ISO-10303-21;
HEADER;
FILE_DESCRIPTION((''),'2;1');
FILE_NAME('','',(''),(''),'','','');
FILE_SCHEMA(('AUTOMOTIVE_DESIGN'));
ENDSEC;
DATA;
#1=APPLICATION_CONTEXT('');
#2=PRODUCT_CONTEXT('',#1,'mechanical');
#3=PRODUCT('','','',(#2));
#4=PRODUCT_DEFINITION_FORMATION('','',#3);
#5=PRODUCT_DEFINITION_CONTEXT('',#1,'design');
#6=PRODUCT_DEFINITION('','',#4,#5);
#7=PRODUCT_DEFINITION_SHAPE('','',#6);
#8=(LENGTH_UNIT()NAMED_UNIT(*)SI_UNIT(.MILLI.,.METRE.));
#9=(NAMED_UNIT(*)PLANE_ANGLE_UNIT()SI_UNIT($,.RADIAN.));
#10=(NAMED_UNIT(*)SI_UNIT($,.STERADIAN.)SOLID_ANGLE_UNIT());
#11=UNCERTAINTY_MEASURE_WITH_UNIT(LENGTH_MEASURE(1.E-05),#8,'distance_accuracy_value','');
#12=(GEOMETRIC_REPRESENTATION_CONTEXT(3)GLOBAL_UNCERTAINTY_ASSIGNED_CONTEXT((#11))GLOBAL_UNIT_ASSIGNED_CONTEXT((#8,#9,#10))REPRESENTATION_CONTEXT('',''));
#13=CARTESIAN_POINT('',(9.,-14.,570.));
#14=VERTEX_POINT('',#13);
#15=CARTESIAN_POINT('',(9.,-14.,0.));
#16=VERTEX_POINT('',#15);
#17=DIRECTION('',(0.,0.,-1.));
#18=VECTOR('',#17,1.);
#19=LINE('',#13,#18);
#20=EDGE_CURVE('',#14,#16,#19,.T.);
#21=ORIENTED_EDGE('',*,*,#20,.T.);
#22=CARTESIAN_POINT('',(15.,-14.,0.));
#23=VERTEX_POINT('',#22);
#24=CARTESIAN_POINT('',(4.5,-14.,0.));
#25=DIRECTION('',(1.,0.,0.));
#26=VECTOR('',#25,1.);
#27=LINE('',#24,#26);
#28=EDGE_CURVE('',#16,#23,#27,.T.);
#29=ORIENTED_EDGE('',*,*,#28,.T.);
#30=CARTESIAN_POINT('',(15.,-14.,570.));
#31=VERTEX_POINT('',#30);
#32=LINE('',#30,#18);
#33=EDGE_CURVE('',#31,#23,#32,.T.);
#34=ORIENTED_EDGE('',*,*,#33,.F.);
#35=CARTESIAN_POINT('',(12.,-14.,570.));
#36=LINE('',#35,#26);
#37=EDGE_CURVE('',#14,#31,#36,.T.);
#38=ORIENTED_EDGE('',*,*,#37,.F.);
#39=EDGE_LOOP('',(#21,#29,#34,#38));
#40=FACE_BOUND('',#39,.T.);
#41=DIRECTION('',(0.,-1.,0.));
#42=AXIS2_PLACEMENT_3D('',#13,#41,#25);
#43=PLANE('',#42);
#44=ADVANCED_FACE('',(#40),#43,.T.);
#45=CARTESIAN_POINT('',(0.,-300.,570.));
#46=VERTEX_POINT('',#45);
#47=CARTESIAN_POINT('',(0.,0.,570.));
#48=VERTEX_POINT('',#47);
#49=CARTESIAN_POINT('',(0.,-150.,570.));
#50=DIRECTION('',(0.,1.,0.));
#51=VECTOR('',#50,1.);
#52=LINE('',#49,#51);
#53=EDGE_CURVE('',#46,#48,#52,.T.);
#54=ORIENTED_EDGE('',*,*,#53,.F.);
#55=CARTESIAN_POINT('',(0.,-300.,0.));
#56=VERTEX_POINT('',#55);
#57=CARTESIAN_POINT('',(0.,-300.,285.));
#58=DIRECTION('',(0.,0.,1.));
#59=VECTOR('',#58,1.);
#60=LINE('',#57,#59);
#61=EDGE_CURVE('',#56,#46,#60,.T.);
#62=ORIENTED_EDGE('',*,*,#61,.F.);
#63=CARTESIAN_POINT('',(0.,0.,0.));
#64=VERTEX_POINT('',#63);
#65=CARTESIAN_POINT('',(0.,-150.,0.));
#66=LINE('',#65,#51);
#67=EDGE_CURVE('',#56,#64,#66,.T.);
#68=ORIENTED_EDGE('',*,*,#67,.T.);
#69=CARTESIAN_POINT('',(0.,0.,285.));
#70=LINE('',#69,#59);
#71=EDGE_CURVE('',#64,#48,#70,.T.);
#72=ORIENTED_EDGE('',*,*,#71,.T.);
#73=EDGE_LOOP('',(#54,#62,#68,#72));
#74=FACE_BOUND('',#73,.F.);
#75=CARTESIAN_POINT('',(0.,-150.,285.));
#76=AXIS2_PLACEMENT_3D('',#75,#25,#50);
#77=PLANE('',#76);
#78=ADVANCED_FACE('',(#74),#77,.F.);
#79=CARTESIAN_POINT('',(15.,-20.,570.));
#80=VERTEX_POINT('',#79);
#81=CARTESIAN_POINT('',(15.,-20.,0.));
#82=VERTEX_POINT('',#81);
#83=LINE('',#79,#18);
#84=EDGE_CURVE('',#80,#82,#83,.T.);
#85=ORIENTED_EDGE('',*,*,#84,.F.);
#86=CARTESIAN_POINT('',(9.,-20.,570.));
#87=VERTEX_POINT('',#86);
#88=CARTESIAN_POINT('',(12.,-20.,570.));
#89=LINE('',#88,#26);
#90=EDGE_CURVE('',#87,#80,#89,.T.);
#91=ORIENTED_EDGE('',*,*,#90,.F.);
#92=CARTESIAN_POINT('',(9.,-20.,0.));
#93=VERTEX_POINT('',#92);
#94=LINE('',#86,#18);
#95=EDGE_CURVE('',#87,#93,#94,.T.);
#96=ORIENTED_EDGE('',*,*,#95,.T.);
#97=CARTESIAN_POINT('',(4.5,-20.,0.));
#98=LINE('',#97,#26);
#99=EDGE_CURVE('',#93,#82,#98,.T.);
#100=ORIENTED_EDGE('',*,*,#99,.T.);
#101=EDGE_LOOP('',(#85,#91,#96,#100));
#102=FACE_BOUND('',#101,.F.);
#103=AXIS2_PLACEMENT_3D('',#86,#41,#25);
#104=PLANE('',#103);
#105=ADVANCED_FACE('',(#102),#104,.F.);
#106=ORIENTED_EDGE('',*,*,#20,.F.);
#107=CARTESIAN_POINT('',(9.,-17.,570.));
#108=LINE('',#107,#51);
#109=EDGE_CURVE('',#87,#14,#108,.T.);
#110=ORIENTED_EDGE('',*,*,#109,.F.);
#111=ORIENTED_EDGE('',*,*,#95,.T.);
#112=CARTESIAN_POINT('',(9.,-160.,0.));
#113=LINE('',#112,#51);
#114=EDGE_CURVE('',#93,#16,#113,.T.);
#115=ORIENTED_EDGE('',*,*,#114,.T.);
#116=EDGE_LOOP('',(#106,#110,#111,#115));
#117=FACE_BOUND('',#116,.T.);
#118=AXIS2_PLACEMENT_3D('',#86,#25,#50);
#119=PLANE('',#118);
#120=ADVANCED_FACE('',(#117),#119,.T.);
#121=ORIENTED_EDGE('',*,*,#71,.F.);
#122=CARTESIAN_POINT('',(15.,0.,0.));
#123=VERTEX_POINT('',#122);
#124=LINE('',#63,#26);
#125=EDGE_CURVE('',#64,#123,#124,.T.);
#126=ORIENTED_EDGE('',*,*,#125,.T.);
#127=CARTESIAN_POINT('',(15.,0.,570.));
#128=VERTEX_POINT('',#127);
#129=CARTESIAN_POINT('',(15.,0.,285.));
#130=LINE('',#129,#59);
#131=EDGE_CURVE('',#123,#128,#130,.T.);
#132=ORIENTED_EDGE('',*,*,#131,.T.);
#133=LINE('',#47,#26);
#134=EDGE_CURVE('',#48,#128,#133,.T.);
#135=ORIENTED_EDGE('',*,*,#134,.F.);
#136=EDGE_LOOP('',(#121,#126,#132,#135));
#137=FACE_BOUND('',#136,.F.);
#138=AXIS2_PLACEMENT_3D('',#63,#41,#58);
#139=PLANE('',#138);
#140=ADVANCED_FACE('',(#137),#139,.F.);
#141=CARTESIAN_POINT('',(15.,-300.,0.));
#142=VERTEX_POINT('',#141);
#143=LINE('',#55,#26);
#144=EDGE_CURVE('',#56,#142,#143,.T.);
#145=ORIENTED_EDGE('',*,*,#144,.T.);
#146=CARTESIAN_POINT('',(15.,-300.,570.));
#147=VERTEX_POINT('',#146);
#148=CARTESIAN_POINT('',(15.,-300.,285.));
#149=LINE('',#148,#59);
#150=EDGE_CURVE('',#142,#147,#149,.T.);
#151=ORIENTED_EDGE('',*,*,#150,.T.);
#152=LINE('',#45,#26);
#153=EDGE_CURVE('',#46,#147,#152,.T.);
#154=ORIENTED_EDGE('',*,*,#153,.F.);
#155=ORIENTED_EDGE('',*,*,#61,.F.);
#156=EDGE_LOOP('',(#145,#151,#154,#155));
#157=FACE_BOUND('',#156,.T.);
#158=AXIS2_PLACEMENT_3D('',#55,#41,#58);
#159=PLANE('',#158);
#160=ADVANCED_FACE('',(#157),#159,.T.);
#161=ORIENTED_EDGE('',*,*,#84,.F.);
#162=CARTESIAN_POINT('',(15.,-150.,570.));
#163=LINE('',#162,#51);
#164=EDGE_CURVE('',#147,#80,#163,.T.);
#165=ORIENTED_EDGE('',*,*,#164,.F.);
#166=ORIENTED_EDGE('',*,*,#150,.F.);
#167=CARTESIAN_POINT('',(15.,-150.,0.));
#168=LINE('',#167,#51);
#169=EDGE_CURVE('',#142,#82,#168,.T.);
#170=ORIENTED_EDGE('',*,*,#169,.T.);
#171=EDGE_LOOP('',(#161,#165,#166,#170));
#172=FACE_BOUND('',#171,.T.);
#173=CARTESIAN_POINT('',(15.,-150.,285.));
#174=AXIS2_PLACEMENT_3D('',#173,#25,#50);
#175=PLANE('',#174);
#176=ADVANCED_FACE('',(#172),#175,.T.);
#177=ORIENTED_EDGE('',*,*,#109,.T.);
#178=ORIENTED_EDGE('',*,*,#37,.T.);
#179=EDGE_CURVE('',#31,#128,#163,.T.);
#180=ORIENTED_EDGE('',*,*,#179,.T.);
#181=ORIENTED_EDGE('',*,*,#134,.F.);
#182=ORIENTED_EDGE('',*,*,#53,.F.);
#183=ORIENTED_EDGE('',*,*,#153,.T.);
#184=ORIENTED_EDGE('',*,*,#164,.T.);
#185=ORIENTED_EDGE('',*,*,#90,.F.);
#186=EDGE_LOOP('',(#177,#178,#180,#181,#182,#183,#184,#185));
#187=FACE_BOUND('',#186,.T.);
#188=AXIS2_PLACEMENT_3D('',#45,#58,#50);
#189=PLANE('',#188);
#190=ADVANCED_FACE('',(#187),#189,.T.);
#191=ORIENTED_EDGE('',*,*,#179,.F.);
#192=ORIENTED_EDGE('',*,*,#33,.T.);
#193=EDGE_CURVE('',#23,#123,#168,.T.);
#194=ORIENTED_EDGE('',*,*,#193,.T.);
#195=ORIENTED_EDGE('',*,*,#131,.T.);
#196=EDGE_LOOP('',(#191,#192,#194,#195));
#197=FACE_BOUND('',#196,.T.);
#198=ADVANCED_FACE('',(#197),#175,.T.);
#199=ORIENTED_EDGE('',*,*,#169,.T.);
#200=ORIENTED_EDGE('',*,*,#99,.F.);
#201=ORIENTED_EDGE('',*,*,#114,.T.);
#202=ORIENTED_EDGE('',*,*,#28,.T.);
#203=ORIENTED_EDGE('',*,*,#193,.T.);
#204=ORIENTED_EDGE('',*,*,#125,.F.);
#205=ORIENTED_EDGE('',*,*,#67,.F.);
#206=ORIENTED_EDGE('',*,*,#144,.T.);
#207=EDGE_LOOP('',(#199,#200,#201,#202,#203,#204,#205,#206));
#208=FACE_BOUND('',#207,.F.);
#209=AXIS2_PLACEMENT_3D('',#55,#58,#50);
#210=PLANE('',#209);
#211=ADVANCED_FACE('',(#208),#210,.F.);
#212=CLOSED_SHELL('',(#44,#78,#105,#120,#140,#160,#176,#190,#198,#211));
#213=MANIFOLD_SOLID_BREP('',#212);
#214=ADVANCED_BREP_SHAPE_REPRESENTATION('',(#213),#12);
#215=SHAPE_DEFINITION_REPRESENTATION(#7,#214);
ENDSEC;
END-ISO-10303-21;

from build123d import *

# Parameters (mm, degrees)
F0_W     = 300
F0_H     = 570
F1_DEPTH = 15
F2_W     = 6
F2_H     = 6
F3_DEPTH = 600


with BuildPart() as f1:
    # F0 (on Right) → F1 (new body)
    with BuildSketch(Plane.YZ):
        with Locations((-150, 285)):
            Rectangle(F0_W, F0_H)
    extrude(amount=F1_DEPTH)

    # F2 (on face) → F3 (cut)
    with BuildSketch(Plane.XY.offset(570)):
        with Locations((12, -17)):
            Rectangle(F2_W, F2_H)
    extrude(amount=-F3_DEPTH, mode=Mode.SUBTRACT)


solid = f1.part
